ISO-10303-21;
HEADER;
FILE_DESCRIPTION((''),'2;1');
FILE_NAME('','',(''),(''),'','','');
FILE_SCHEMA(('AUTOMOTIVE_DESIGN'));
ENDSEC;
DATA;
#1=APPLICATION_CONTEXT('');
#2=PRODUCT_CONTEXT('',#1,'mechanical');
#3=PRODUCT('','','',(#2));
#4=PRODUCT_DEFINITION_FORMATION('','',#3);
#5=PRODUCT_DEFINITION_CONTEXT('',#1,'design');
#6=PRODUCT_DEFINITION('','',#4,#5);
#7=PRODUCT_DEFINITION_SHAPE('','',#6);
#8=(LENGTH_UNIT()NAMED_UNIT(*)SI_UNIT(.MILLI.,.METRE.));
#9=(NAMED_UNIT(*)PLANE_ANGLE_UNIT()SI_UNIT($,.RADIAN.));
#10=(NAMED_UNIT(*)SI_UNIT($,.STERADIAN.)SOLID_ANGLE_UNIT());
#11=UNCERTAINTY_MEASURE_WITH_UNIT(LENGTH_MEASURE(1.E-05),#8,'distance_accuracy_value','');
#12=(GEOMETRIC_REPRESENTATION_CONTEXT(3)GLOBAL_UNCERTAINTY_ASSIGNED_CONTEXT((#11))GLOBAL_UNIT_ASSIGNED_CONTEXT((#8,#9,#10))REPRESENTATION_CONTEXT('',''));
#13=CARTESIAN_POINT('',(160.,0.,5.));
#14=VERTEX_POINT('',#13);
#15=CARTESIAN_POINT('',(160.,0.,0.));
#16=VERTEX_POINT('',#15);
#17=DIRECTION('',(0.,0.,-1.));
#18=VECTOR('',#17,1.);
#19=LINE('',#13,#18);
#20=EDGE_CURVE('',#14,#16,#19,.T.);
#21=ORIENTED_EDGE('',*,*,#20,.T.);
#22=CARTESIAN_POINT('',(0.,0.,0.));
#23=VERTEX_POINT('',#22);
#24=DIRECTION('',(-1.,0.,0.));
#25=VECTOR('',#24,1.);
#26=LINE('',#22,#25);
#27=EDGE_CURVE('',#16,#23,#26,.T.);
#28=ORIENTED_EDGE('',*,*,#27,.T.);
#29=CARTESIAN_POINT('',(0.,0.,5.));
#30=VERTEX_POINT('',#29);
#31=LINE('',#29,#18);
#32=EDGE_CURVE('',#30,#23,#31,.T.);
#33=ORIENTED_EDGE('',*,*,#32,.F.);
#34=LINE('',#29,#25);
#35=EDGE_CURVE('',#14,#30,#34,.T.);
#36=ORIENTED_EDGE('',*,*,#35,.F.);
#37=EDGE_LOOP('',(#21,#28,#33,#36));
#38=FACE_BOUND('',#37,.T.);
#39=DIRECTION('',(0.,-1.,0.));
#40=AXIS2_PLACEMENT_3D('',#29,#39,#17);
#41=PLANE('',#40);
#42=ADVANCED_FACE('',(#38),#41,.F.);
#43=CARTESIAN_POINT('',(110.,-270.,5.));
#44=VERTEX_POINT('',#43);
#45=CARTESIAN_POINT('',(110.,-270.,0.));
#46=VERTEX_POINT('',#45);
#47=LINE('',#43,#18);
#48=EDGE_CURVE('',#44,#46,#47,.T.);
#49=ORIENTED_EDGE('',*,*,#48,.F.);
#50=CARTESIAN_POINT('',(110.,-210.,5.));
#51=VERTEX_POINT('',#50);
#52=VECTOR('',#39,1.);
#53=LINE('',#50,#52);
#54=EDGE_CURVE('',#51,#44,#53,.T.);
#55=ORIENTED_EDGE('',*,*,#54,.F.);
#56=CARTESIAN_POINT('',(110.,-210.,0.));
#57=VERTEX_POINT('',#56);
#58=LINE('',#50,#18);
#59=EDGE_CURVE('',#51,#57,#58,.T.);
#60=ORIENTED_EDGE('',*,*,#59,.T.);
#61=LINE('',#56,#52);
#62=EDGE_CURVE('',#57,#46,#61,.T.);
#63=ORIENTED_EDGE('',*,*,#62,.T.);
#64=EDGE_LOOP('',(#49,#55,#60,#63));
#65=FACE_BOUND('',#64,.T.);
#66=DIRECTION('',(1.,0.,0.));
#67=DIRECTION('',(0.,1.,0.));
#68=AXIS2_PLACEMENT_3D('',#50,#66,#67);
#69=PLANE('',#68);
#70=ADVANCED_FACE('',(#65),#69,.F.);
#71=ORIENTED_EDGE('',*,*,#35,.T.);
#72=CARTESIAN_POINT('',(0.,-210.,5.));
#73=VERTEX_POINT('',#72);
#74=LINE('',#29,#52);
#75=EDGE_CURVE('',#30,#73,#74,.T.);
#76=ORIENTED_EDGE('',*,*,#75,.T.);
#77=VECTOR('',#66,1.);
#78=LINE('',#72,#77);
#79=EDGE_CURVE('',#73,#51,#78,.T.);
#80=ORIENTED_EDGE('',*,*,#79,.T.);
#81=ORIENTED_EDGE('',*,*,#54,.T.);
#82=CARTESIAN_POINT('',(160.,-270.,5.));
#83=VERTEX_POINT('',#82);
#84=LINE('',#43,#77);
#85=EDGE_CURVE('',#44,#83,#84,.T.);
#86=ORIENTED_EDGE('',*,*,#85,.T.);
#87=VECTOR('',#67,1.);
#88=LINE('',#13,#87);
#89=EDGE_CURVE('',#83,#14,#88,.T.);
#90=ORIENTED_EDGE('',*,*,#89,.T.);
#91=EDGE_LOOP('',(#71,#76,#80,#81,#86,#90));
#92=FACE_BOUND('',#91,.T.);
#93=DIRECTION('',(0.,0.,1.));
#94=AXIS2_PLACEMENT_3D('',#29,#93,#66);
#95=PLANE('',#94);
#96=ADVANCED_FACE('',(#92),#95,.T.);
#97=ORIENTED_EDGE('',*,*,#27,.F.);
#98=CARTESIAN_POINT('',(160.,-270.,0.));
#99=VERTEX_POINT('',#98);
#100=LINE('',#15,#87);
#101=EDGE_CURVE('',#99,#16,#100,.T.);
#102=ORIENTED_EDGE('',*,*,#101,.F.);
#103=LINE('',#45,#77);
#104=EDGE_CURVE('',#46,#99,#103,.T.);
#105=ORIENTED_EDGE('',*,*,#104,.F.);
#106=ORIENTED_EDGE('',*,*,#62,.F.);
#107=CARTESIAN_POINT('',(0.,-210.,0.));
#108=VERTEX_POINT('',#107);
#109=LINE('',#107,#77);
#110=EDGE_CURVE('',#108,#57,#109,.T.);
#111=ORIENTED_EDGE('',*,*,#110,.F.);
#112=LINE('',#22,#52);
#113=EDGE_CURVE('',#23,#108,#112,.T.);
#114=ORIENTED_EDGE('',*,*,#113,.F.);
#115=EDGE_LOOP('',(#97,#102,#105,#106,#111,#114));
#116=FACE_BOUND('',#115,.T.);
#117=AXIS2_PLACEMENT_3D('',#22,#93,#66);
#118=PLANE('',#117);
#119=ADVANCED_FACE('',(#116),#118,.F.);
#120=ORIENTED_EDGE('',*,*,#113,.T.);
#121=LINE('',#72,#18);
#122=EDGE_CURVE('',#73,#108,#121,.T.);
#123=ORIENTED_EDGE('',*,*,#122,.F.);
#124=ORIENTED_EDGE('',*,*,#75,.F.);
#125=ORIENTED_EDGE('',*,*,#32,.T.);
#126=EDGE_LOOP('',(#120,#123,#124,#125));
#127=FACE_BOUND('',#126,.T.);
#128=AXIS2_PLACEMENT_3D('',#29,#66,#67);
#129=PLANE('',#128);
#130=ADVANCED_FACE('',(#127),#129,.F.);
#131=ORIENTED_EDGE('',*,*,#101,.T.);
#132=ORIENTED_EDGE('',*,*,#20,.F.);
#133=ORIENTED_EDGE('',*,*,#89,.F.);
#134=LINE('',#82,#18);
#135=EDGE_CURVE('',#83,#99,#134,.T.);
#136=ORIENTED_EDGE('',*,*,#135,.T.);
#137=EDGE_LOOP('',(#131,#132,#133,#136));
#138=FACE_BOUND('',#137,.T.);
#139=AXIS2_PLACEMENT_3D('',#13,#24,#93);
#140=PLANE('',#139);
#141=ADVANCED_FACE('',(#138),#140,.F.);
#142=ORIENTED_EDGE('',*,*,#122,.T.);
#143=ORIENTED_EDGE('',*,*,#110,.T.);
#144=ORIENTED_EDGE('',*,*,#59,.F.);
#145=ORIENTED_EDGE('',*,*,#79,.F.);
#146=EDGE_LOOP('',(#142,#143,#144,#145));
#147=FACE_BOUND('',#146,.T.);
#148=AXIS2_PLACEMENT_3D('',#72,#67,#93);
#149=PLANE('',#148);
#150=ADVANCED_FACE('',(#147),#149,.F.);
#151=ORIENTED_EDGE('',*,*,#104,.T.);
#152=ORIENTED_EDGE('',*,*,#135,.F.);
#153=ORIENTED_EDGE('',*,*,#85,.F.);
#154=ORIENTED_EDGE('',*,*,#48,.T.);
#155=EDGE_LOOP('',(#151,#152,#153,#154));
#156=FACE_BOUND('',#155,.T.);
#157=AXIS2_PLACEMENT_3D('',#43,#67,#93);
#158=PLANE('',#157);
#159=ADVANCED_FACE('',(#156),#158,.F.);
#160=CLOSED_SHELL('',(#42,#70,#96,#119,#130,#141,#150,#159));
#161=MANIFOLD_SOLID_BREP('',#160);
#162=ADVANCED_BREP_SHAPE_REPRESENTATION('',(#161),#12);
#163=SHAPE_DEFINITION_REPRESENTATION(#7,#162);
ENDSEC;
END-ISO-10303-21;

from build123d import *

# Parameters (mm, degrees)
BOSS_EXTRUDE1_DEPTH = 5


with BuildPart() as part:
    # Sketch1 → Boss-Extrude1 (new body)
    with BuildSketch(Plane.XY):
        Polygon((0, -210), (110, -210), (110, -270), (160, -270), (160, 0), (0, 0), align=None)
    extrude(amount=BOSS_EXTRUDE1_DEPTH)


solid = part.part
